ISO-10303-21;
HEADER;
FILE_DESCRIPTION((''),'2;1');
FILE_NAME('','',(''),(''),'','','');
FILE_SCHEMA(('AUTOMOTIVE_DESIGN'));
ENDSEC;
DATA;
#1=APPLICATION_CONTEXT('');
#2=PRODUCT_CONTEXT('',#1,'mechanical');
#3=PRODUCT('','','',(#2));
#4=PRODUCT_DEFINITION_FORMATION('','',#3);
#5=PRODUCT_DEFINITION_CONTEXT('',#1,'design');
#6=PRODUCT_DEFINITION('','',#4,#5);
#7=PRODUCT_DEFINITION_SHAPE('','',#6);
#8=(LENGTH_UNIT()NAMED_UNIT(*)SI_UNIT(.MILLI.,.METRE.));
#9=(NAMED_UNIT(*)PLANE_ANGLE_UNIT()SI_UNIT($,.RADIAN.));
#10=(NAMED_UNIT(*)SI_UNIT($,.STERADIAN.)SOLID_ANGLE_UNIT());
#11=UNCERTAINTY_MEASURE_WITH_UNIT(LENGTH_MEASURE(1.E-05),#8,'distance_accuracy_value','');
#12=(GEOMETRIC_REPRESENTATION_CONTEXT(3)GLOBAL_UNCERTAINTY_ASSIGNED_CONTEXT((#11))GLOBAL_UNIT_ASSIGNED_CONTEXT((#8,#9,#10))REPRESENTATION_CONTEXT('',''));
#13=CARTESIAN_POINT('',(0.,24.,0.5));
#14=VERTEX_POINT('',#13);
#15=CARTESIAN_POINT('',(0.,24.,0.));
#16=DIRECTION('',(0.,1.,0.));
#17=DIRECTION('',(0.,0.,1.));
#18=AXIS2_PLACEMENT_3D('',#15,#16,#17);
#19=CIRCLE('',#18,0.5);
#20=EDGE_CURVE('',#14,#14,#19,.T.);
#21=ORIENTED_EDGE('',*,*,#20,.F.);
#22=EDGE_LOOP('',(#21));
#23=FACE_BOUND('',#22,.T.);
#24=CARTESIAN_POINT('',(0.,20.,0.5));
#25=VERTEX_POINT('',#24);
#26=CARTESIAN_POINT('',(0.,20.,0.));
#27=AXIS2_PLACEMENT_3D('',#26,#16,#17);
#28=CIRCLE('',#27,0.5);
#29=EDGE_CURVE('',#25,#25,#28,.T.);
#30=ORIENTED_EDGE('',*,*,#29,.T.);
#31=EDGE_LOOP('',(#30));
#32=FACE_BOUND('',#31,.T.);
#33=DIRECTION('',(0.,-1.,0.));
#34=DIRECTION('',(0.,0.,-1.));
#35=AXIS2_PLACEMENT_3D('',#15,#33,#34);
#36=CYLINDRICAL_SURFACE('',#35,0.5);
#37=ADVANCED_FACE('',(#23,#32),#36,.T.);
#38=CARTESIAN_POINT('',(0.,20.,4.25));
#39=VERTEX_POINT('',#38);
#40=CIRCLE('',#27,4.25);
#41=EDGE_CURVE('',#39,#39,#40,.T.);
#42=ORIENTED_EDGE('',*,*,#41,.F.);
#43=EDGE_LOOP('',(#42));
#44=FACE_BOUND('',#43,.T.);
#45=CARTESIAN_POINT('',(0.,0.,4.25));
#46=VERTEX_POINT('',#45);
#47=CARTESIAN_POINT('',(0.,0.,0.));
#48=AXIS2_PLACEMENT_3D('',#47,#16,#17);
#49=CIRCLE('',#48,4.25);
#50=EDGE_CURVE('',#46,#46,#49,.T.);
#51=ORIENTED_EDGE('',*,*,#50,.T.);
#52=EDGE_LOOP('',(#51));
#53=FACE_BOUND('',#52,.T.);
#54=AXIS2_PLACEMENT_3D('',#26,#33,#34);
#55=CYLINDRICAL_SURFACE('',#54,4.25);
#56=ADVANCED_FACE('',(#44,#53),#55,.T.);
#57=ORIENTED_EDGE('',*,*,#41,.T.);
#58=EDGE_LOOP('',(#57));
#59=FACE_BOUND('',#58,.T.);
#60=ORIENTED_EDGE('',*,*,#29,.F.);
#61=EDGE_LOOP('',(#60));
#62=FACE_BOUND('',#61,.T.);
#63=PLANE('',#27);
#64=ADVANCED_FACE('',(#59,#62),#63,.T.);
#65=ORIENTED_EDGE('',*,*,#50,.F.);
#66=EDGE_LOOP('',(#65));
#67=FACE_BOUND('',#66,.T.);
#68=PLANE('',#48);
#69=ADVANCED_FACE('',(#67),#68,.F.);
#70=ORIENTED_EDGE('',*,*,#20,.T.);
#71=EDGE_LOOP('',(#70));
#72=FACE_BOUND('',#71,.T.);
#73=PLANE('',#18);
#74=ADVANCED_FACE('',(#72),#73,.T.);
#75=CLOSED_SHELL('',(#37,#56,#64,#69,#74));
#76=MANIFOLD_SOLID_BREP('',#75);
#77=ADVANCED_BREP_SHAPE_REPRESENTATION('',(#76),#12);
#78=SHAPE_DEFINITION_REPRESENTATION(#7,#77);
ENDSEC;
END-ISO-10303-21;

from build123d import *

# Parameters (mm, degrees)
SKETCH1_R           = 4.25
BOSS_EXTRUDE1_DEPTH = 20
SKETCH2_R           = 0.5
BOSS_EXTRUDE2_DEPTH = 4


with BuildPart() as part:
    # Sketch1 → Boss-Extrude1 (new body)
    with BuildSketch(Plane(origin=(0, 0, 0), x_dir=(1, 0, 0), z_dir=(0, 1, 0))):
        Circle(SKETCH1_R)
    extrude(amount=BOSS_EXTRUDE1_DEPTH)

    # Sketch2 → Boss-Extrude2 (add)
    with BuildSketch(Plane(origin=(0, 20, 0), x_dir=(1, 0, 0), z_dir=(0, 1, 0))):
        Circle(SKETCH2_R)
    extrude(amount=BOSS_EXTRUDE2_DEPTH)


solid = part.part
